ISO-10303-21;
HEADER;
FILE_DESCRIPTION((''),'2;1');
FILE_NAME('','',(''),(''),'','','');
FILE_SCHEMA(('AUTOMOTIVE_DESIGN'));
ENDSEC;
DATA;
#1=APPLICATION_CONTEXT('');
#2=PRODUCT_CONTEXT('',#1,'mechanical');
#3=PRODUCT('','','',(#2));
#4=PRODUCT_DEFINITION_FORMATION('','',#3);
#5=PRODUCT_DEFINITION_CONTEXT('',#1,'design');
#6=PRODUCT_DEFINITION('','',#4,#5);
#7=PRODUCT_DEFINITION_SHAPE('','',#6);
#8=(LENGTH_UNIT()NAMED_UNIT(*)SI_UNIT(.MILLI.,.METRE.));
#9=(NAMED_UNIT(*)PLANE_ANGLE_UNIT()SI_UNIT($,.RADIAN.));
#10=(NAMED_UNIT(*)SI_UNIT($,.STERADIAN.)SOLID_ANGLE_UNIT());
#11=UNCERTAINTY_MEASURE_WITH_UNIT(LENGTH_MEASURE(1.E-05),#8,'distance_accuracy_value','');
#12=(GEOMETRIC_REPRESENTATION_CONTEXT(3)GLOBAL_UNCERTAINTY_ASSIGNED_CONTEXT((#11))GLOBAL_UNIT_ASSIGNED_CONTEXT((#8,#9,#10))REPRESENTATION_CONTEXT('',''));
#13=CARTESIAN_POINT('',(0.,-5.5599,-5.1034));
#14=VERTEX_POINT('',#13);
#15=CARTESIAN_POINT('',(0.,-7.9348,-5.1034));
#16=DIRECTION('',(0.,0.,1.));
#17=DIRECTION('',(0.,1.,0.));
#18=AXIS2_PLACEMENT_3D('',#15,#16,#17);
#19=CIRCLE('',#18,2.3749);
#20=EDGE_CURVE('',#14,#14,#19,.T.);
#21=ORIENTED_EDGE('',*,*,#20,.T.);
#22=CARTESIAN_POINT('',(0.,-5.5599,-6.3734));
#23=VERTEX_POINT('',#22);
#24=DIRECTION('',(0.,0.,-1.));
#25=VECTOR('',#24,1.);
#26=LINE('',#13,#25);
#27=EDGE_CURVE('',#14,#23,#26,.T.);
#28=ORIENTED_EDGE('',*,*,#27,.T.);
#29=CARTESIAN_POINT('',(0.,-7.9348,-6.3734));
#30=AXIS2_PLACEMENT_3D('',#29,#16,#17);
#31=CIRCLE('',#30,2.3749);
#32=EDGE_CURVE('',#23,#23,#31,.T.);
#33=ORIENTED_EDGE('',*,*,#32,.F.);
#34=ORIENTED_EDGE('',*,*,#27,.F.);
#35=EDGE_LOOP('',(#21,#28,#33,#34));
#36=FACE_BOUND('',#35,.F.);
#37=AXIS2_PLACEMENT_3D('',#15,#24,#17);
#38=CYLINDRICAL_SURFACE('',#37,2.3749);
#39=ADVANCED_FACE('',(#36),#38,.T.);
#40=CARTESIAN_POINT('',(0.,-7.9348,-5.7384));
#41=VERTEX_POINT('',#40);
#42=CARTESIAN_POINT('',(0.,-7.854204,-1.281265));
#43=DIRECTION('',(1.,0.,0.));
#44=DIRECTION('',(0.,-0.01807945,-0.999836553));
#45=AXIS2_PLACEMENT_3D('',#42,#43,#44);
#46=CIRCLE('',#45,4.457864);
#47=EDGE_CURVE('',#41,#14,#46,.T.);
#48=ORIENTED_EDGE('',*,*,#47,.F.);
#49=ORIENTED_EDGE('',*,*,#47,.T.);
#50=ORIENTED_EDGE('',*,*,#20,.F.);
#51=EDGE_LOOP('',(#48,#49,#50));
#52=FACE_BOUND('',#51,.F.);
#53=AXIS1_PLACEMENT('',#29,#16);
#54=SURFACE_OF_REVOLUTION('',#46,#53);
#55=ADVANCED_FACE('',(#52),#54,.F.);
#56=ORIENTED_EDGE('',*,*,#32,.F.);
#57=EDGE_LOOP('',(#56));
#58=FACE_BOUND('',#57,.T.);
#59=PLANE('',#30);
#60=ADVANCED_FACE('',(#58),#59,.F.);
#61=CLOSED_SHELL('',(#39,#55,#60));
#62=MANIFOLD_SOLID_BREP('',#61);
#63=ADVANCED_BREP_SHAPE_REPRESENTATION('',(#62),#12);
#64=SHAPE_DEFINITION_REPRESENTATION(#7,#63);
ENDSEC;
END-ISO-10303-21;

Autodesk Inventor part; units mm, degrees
ref_plane "YZ Plane" through (0, 0, 0) normal (1, 0, 0) x (0, 1, 0)
ref_plane "XZ Plane" through (0, 0, 0) normal (0, 1, 0) x (-1, 0, 0)
ref_plane "XY Plane" through (0, 0, 0) normal (0, 0, 1) x (1, 0, 0)
sketch "Sketch1" plane through (0, 0, 0) normal (1, 0, 0) x (0, 1, 0)
  line L0 (-7.9348, -6.3734) -> (-7.9348, -5.7384)
  line L1 (-7.9348, -6.3734) -> (-7.2998, -6.3734) construction
  line L2 (-7.9348, -6.3734) -> (-5.5599, -6.3734)
  line L3 (-5.5599, -5.1034) -> (-5.5599, -6.3734)
  arc A0 (-7.9348, -5.7384) -> (-5.5599, -5.1034) centre (-7.8542, -1.2813) ccw
  point P0 (0, 0)
  dimension "d0" = 0.635
  dimension "d1" = 90
  dimension "d2" = 2.3749
  dimension "d3" = 1.27
revolve "Revolution1" add sketch "Sketch1" angle 360 about axis through (0, -7.9348, -6.3734) along (0, 0, 1)
properties part number "Pip"
